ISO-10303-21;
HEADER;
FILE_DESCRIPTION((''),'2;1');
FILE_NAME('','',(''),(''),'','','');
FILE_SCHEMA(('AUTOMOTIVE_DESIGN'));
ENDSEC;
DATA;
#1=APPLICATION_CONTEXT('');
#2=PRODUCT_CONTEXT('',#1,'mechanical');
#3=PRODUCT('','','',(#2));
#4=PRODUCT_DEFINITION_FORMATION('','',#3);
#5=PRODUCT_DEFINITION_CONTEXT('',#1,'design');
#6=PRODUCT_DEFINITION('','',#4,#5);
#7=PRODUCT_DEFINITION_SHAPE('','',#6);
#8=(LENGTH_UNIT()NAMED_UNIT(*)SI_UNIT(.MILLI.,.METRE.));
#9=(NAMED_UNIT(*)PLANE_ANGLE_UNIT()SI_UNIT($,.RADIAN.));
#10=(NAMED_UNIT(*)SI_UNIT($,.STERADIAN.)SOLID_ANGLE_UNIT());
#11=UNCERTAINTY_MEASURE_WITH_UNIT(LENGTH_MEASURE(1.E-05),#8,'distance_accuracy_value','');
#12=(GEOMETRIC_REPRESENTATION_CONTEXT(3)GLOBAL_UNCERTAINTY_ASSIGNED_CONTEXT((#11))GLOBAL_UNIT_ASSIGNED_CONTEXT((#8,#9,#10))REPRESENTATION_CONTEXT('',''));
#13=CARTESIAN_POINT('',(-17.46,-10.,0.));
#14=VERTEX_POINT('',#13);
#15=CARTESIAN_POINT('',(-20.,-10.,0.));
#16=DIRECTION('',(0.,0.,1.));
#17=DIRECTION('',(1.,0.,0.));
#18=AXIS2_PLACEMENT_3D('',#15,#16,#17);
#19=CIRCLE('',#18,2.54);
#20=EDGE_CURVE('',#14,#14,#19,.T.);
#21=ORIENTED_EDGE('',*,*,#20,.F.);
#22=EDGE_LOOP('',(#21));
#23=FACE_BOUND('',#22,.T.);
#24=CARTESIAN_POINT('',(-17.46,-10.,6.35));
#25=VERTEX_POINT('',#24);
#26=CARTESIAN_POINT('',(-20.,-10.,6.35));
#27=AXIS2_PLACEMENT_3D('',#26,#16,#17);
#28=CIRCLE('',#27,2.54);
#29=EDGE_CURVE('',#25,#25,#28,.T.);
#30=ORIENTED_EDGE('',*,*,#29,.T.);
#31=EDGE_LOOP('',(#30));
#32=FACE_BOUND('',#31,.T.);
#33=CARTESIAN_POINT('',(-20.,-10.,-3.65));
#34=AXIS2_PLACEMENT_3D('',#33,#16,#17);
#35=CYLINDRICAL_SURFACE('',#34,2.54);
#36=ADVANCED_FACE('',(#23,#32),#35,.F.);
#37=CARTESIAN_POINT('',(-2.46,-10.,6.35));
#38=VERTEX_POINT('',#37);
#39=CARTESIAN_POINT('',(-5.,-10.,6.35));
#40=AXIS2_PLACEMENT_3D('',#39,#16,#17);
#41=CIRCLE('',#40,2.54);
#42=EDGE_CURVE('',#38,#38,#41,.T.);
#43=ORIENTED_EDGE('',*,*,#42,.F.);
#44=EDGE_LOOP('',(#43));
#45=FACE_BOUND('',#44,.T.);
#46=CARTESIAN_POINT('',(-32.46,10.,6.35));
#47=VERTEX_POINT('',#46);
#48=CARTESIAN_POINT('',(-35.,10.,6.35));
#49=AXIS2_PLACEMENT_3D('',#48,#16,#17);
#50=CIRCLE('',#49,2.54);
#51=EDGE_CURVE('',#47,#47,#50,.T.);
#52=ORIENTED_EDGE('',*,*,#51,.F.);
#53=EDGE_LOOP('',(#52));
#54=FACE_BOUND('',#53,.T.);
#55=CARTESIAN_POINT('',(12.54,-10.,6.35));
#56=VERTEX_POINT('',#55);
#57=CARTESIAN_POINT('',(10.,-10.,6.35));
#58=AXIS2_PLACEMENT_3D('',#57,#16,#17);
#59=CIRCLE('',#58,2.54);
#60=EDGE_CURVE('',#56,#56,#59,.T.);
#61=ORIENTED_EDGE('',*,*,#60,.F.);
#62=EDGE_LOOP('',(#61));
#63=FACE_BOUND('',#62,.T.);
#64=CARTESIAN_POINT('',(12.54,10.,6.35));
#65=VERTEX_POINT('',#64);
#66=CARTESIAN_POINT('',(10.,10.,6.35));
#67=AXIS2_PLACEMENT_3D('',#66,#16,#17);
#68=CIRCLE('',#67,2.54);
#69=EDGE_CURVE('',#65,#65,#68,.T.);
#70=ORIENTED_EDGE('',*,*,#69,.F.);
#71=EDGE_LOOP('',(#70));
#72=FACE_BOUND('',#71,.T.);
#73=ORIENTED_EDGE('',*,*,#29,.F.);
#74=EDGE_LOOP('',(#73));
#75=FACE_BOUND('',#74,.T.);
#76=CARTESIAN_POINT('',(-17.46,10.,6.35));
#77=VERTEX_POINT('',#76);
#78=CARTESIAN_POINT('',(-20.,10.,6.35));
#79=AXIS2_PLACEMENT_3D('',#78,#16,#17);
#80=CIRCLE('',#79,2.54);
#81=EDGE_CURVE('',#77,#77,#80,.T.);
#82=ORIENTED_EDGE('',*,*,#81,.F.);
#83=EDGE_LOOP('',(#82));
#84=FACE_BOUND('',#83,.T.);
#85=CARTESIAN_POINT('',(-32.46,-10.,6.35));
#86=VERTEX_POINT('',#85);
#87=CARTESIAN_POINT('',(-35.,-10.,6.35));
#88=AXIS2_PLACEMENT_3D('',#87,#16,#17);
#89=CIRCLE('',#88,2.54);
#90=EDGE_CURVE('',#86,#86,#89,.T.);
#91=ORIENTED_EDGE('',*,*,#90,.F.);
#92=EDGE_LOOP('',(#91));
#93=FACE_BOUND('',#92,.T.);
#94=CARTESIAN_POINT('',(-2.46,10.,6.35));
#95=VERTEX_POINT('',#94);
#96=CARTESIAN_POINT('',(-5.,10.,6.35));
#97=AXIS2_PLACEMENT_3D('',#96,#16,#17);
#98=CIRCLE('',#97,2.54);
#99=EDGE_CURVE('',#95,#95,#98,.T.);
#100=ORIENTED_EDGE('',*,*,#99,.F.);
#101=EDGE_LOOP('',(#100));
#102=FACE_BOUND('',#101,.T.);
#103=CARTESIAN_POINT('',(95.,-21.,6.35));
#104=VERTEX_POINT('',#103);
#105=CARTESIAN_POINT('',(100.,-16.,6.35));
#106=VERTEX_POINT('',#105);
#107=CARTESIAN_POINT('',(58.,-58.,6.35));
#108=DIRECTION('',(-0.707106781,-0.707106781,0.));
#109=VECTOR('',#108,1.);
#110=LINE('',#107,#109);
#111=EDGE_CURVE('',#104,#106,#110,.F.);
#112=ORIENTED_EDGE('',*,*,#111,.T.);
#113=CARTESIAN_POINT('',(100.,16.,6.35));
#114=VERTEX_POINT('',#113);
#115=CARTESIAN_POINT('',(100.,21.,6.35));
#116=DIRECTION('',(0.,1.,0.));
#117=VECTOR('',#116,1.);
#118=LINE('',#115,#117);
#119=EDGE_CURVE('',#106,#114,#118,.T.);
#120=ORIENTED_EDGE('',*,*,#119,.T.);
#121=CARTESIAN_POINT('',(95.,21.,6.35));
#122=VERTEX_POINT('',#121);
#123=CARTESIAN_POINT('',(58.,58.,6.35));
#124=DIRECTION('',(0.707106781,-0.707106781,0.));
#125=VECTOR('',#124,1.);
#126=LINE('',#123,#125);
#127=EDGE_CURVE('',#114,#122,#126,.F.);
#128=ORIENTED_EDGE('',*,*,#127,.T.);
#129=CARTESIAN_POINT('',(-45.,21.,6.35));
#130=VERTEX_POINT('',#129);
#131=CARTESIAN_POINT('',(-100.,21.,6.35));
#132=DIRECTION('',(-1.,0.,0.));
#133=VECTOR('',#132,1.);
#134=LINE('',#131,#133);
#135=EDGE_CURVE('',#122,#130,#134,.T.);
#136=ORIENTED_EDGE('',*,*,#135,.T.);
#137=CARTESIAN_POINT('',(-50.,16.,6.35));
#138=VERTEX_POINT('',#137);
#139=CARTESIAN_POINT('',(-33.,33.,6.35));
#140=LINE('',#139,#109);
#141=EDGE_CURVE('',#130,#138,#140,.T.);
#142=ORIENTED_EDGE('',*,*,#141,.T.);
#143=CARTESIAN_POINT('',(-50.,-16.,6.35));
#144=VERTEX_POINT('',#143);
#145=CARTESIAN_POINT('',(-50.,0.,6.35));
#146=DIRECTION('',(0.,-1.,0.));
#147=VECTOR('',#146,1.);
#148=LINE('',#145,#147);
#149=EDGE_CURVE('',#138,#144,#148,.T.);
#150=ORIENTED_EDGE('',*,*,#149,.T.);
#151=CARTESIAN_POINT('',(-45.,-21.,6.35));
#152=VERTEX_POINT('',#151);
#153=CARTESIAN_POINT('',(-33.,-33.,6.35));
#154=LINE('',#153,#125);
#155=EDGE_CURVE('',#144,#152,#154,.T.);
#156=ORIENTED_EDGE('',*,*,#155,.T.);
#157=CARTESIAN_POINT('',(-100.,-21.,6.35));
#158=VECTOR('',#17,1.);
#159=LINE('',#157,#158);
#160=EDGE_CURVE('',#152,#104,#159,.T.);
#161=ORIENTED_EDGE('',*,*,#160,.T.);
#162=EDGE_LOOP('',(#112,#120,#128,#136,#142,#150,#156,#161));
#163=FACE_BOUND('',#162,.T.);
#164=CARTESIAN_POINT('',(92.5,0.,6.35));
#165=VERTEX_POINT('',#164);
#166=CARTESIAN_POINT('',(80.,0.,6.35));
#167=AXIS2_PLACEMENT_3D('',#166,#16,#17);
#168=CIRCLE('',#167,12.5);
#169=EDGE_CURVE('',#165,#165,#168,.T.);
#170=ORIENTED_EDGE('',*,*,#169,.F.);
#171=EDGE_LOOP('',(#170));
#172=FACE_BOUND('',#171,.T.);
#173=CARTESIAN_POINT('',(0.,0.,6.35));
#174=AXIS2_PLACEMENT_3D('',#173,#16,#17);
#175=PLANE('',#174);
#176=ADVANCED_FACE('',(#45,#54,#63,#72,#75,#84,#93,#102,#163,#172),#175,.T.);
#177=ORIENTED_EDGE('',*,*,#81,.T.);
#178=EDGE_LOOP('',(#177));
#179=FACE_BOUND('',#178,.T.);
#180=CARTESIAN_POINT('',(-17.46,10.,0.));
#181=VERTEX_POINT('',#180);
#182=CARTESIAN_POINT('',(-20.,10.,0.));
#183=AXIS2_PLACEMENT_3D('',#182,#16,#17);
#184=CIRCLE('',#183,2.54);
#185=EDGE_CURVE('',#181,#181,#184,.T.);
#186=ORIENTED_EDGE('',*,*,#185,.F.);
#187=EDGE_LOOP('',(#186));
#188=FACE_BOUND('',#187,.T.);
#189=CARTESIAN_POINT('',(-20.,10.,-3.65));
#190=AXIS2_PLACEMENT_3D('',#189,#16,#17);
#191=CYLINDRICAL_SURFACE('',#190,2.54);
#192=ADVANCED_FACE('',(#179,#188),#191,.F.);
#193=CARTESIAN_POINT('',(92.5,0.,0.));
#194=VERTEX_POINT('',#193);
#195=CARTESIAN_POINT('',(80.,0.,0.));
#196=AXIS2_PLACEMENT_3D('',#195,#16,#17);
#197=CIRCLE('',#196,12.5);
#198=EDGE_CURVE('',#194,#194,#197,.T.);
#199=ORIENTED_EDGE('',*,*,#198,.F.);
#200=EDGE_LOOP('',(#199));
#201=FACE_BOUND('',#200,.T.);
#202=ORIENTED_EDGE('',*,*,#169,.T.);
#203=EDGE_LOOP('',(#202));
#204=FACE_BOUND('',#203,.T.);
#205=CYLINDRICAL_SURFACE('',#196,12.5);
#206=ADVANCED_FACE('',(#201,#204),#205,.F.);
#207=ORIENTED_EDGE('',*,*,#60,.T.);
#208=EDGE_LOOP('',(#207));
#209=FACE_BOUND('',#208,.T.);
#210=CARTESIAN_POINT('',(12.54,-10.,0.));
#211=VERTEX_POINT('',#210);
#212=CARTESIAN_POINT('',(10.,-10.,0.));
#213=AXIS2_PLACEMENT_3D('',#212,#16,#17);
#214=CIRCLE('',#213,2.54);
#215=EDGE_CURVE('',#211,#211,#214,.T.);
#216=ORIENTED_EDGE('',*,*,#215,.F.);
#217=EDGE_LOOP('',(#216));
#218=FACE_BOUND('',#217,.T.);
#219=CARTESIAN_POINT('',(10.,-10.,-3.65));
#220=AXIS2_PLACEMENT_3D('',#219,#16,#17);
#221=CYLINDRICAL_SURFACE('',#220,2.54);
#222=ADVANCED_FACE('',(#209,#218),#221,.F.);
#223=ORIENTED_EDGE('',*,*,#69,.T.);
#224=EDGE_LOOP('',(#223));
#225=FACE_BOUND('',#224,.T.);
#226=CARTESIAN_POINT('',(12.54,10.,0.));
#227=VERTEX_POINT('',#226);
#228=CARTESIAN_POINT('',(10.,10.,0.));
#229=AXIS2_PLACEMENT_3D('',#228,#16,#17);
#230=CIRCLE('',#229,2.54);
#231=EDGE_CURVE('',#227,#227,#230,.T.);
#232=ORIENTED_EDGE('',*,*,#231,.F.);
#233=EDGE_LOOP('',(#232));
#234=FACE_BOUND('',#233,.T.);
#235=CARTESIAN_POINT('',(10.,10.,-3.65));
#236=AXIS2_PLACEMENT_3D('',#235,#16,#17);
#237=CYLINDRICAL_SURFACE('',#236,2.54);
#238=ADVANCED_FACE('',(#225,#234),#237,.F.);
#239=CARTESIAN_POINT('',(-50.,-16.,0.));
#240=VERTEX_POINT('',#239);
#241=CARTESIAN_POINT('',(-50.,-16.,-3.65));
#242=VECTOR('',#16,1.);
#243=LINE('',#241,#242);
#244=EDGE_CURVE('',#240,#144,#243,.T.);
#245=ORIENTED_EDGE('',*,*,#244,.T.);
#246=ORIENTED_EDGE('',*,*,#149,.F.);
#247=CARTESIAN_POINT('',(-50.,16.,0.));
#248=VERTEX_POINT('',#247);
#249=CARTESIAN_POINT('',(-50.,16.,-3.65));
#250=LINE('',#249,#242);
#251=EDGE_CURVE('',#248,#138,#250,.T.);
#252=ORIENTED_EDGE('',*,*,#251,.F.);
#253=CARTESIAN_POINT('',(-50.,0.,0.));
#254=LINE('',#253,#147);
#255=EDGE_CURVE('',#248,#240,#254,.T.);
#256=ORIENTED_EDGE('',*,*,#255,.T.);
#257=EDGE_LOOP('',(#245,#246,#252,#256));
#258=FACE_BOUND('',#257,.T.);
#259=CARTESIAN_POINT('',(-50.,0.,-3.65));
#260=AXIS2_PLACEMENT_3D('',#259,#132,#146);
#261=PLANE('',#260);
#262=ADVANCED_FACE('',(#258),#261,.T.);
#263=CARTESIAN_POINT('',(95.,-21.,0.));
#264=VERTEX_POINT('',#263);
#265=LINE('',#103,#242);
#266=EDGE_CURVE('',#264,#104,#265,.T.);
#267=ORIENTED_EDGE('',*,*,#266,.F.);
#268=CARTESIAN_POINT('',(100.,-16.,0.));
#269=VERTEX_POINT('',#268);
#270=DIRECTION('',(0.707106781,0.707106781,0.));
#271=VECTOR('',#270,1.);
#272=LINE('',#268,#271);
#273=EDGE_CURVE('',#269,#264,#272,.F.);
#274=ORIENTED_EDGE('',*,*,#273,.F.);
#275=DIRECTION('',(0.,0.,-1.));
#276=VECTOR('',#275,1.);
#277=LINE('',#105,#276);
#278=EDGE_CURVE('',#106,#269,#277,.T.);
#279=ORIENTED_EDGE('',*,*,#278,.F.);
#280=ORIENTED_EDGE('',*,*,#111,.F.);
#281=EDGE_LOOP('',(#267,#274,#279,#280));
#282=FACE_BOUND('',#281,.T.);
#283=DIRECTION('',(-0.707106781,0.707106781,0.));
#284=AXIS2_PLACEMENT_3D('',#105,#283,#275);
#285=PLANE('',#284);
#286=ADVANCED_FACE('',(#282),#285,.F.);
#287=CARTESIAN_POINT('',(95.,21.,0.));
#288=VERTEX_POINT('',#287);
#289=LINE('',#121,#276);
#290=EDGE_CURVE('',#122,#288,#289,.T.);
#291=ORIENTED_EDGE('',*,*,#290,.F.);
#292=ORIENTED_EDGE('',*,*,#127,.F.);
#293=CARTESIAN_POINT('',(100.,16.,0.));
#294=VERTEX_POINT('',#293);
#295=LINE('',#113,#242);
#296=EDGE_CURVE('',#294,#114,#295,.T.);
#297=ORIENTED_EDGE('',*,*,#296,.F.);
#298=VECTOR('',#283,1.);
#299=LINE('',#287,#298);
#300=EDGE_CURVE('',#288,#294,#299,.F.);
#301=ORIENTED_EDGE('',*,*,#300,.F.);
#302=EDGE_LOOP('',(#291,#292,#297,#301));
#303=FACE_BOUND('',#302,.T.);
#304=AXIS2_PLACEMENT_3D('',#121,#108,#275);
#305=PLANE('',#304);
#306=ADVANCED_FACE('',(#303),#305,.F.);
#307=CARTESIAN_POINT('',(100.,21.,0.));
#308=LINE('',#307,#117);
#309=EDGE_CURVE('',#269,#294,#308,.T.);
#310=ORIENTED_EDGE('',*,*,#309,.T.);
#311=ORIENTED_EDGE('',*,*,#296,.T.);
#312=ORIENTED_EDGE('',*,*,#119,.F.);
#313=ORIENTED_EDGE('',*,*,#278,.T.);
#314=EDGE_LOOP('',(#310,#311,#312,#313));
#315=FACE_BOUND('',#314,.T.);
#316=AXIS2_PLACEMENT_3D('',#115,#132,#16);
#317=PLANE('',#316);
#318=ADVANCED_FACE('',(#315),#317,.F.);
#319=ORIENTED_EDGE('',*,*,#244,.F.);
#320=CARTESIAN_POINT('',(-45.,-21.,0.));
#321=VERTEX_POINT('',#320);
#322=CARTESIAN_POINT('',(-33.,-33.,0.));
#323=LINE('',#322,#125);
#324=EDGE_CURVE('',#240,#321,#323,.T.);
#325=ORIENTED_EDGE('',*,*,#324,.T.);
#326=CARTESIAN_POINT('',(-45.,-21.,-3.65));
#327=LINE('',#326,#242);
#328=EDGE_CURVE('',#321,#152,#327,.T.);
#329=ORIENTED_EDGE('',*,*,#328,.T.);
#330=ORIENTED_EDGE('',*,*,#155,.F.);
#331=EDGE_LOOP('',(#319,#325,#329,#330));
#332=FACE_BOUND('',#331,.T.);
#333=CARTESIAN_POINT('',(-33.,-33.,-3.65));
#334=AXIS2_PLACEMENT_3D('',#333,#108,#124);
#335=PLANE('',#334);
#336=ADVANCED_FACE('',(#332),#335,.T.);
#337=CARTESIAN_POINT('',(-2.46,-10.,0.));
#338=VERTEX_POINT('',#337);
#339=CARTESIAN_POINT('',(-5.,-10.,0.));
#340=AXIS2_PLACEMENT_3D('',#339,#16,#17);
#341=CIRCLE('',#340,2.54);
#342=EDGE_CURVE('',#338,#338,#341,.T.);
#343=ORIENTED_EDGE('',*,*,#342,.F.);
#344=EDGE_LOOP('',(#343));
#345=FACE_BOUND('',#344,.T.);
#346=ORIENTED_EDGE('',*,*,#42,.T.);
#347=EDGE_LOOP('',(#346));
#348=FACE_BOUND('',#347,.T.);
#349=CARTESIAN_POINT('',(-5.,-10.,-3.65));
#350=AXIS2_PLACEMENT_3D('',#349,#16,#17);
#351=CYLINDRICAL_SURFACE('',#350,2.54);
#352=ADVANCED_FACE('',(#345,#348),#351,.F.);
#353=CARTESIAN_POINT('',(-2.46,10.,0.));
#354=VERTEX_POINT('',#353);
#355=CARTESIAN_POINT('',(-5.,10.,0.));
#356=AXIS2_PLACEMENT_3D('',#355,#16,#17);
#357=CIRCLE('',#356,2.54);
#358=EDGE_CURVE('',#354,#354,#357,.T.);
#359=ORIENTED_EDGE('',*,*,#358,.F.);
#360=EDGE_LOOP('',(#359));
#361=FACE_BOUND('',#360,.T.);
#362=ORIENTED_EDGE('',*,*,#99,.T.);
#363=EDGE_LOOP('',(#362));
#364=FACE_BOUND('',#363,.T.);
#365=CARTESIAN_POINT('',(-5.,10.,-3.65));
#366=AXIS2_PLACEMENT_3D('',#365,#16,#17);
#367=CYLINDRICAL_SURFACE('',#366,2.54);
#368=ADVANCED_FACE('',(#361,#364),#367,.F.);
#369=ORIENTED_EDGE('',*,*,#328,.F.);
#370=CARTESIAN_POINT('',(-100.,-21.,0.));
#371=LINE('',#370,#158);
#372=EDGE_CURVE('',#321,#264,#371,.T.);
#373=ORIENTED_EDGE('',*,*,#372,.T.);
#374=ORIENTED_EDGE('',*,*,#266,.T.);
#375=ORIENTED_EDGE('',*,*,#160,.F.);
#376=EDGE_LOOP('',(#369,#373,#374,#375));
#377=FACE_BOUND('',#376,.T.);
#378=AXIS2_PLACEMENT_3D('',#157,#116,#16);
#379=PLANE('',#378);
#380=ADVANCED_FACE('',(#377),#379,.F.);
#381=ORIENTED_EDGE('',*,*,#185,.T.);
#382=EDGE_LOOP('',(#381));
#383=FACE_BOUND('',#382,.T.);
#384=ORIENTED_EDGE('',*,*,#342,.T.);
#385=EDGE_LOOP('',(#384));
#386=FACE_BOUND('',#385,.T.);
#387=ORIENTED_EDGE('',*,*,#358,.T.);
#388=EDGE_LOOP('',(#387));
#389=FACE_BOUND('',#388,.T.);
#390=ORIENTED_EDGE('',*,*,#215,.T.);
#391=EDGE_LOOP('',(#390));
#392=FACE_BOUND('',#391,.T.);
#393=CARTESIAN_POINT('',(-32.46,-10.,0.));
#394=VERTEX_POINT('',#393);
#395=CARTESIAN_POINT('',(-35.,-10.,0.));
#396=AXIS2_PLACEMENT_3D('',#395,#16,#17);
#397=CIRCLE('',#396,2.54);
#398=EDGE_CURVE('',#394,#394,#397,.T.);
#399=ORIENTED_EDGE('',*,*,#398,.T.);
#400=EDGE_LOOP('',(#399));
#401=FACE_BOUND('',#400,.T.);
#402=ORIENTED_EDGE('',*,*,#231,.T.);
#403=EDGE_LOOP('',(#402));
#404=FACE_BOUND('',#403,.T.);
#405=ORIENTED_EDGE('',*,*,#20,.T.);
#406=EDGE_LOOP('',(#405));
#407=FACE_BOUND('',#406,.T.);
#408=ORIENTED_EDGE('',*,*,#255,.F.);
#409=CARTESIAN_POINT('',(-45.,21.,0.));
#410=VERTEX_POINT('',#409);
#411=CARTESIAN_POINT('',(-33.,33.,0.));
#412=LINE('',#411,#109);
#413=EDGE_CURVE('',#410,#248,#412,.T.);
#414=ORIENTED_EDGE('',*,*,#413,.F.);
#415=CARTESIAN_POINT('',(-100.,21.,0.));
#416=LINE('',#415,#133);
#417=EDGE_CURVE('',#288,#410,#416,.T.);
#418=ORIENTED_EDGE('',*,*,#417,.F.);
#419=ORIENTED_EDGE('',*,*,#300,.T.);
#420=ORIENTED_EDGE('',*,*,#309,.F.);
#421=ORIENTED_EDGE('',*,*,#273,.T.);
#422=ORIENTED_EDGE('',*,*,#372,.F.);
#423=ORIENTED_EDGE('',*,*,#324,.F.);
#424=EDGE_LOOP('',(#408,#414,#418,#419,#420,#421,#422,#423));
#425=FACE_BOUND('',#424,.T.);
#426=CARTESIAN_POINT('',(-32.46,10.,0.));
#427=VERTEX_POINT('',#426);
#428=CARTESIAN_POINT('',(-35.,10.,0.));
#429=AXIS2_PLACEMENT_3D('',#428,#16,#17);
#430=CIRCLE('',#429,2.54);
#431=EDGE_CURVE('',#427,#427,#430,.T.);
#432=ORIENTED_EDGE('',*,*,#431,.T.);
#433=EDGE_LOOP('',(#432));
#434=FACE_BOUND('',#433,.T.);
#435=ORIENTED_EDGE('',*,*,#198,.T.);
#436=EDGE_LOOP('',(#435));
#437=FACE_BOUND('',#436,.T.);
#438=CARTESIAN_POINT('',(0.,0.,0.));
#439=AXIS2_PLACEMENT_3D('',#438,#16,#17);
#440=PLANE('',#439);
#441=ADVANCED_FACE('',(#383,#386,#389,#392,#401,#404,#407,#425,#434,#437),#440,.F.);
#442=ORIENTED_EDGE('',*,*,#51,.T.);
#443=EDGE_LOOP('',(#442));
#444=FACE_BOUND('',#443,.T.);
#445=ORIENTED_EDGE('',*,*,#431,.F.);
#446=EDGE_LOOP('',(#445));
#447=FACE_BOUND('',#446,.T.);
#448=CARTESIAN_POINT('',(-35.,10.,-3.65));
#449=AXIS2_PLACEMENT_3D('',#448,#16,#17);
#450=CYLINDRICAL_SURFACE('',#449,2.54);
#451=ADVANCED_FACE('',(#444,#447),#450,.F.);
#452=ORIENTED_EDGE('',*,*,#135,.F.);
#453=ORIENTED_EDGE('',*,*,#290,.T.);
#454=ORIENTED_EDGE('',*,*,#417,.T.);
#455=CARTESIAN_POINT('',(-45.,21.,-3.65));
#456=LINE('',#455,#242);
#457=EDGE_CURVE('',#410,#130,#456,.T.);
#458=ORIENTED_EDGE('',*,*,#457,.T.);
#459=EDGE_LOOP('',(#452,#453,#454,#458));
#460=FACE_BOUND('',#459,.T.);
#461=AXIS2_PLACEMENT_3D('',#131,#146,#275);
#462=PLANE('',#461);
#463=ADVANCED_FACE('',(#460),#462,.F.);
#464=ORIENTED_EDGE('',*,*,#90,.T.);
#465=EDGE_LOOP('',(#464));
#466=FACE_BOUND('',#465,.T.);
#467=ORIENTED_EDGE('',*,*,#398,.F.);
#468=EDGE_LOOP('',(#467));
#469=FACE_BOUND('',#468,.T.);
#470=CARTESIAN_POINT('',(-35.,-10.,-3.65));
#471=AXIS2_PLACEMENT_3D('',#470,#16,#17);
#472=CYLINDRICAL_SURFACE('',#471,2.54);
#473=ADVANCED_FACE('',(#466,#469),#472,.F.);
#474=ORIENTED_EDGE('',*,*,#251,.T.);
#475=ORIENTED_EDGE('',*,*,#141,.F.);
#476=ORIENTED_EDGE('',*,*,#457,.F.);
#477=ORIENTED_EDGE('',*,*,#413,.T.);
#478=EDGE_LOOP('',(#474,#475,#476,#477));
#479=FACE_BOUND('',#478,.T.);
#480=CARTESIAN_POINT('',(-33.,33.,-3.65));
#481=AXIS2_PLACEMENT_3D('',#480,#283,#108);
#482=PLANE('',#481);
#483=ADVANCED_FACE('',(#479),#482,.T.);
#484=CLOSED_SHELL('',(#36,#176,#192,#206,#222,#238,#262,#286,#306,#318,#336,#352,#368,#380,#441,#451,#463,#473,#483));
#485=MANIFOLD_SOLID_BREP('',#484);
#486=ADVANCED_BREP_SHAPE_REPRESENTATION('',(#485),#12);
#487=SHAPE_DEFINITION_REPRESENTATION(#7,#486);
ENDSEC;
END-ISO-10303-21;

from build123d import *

# Parameters (mm, degrees)
SKETCH1_W           = 200
SKETCH1_H           = 42
BOSS_EXTRUDE1_DEPTH = 6.35
SKETCH3_R           = 2
CUT_EXTRUDE2_DEPTH  = 103.378330227
SKETCH4_R           = 3.175
CUT_EXTRUDE3_DEPTH  = 103.378330227
CHAMFER1_SIZE       = 5
SKETCH9_R           = 3.175
CUT_EXTRUDE8_DEPTH  = 103.378330227
SKETCH10_R          = 12.5
CUT_EXTRUDE9_DEPTH  = 103.378330227
SKETCH12_R          = 3.302
CUT_EXTRUDE11_DEPTH = 103.378330227
SKETCH13_R          = 2
SKETCH13_R_2        = 3.302
SKETCH13_R_3        = 3.175
SKETCH13_R_4        = 2.54
CUT_EXTRUDE12_DEPTH = 10


with BuildPart() as part:
    # Sketch1 → Boss-Extrude1 (new body)
    with BuildSketch(Plane.XY):
        Rectangle(SKETCH1_W, SKETCH1_H)
    extrude(amount=BOSS_EXTRUDE1_DEPTH)

    # Sketch3 → Cut-Extrude2 (cut, through all)
    with BuildSketch(Plane.XY.offset(6.35)):
        with Locations((-55, 10)):
            Circle(SKETCH3_R)
        with Locations((-55, -10)):
            Circle(SKETCH3_R)
    extrude(amount=-CUT_EXTRUDE2_DEPTH, mode=Mode.SUBTRACT)

    # Sketch4 → Cut-Extrude3 (cut, through all)
    with BuildSketch(Plane.XY.offset(6.35)):
        with Locations((-76, 0)):
            Circle(SKETCH4_R)
    extrude(amount=-CUT_EXTRUDE3_DEPTH, mode=Mode.SUBTRACT)

    # Chamfer1
    chamfer1_edges = [part.edges().sort_by_distance(p)[0] for p in [
        (100, -21, 3.175),
        (-100, -21, 3.175),
        (-100, 21, 3.175),
        (100, 21, 3.175),
    ]]
    chamfer(chamfer1_edges, length=CHAMFER1_SIZE)

    # Sketch9 → Cut-Extrude8 (cut, through all)
    with BuildSketch(Plane.XY.offset(6.35)):
        with Locations((80, 0)):
            Circle(SKETCH9_R)
    extrude(amount=-CUT_EXTRUDE8_DEPTH, mode=Mode.SUBTRACT)

    # Sketch10 → Cut-Extrude9 (cut, through all)
    with BuildSketch(Plane.XY.offset(6.35)):
        with Locations((80, 0)):
            Circle(SKETCH10_R)
    extrude(amount=-CUT_EXTRUDE9_DEPTH, mode=Mode.SUBTRACT)

    # Sketch12 → Cut-Extrude11 (cut, through all)
    with BuildSketch(Plane.XY.offset(6.35)):
        with Locations((-93, 0)):
            Circle(SKETCH12_R)
    extrude(amount=-CUT_EXTRUDE11_DEPTH, mode=Mode.SUBTRACT)

    # Sketch13 → Cut-Extrude12 (cut)
    with BuildSketch(Plane.XY.offset(6.35)):
        Polygon((-50, -16), (-50, 16), (-45, 21), (-95, 21), (-100, 16), (-100, -16), (-95, -21), (-45, -21), align=None)
        with Locations((-55, -10)):
            Circle(SKETCH13_R, mode=Mode.SUBTRACT)
        with Locations((-93, 0)):
            Circle(SKETCH13_R_2, mode=Mode.SUBTRACT)
        with Locations((-76, 0)):
            Circle(SKETCH13_R_3, mode=Mode.SUBTRACT)
        with Locations((-55, 10)):
            Circle(SKETCH13_R, mode=Mode.SUBTRACT)
        with Locations((-35, 10)):
            Circle(SKETCH13_R_4)
        with Locations((-20, 10)):
            Circle(SKETCH13_R_4)
        with Locations((-5, 10)):
            Circle(SKETCH13_R_4)
        with Locations((10, 10)):
            Circle(SKETCH13_R_4)
        with Locations((-20, -10)):
            Circle(SKETCH13_R_4)
        with Locations((-5, -10)):
            Circle(SKETCH13_R_4)
        with Locations((10, -10)):
            Circle(SKETCH13_R_4)
        with Locations((-35, -10)):
            Circle(SKETCH13_R_4)
    extrude(amount=-CUT_EXTRUDE12_DEPTH, mode=Mode.SUBTRACT)


solid = part.part
